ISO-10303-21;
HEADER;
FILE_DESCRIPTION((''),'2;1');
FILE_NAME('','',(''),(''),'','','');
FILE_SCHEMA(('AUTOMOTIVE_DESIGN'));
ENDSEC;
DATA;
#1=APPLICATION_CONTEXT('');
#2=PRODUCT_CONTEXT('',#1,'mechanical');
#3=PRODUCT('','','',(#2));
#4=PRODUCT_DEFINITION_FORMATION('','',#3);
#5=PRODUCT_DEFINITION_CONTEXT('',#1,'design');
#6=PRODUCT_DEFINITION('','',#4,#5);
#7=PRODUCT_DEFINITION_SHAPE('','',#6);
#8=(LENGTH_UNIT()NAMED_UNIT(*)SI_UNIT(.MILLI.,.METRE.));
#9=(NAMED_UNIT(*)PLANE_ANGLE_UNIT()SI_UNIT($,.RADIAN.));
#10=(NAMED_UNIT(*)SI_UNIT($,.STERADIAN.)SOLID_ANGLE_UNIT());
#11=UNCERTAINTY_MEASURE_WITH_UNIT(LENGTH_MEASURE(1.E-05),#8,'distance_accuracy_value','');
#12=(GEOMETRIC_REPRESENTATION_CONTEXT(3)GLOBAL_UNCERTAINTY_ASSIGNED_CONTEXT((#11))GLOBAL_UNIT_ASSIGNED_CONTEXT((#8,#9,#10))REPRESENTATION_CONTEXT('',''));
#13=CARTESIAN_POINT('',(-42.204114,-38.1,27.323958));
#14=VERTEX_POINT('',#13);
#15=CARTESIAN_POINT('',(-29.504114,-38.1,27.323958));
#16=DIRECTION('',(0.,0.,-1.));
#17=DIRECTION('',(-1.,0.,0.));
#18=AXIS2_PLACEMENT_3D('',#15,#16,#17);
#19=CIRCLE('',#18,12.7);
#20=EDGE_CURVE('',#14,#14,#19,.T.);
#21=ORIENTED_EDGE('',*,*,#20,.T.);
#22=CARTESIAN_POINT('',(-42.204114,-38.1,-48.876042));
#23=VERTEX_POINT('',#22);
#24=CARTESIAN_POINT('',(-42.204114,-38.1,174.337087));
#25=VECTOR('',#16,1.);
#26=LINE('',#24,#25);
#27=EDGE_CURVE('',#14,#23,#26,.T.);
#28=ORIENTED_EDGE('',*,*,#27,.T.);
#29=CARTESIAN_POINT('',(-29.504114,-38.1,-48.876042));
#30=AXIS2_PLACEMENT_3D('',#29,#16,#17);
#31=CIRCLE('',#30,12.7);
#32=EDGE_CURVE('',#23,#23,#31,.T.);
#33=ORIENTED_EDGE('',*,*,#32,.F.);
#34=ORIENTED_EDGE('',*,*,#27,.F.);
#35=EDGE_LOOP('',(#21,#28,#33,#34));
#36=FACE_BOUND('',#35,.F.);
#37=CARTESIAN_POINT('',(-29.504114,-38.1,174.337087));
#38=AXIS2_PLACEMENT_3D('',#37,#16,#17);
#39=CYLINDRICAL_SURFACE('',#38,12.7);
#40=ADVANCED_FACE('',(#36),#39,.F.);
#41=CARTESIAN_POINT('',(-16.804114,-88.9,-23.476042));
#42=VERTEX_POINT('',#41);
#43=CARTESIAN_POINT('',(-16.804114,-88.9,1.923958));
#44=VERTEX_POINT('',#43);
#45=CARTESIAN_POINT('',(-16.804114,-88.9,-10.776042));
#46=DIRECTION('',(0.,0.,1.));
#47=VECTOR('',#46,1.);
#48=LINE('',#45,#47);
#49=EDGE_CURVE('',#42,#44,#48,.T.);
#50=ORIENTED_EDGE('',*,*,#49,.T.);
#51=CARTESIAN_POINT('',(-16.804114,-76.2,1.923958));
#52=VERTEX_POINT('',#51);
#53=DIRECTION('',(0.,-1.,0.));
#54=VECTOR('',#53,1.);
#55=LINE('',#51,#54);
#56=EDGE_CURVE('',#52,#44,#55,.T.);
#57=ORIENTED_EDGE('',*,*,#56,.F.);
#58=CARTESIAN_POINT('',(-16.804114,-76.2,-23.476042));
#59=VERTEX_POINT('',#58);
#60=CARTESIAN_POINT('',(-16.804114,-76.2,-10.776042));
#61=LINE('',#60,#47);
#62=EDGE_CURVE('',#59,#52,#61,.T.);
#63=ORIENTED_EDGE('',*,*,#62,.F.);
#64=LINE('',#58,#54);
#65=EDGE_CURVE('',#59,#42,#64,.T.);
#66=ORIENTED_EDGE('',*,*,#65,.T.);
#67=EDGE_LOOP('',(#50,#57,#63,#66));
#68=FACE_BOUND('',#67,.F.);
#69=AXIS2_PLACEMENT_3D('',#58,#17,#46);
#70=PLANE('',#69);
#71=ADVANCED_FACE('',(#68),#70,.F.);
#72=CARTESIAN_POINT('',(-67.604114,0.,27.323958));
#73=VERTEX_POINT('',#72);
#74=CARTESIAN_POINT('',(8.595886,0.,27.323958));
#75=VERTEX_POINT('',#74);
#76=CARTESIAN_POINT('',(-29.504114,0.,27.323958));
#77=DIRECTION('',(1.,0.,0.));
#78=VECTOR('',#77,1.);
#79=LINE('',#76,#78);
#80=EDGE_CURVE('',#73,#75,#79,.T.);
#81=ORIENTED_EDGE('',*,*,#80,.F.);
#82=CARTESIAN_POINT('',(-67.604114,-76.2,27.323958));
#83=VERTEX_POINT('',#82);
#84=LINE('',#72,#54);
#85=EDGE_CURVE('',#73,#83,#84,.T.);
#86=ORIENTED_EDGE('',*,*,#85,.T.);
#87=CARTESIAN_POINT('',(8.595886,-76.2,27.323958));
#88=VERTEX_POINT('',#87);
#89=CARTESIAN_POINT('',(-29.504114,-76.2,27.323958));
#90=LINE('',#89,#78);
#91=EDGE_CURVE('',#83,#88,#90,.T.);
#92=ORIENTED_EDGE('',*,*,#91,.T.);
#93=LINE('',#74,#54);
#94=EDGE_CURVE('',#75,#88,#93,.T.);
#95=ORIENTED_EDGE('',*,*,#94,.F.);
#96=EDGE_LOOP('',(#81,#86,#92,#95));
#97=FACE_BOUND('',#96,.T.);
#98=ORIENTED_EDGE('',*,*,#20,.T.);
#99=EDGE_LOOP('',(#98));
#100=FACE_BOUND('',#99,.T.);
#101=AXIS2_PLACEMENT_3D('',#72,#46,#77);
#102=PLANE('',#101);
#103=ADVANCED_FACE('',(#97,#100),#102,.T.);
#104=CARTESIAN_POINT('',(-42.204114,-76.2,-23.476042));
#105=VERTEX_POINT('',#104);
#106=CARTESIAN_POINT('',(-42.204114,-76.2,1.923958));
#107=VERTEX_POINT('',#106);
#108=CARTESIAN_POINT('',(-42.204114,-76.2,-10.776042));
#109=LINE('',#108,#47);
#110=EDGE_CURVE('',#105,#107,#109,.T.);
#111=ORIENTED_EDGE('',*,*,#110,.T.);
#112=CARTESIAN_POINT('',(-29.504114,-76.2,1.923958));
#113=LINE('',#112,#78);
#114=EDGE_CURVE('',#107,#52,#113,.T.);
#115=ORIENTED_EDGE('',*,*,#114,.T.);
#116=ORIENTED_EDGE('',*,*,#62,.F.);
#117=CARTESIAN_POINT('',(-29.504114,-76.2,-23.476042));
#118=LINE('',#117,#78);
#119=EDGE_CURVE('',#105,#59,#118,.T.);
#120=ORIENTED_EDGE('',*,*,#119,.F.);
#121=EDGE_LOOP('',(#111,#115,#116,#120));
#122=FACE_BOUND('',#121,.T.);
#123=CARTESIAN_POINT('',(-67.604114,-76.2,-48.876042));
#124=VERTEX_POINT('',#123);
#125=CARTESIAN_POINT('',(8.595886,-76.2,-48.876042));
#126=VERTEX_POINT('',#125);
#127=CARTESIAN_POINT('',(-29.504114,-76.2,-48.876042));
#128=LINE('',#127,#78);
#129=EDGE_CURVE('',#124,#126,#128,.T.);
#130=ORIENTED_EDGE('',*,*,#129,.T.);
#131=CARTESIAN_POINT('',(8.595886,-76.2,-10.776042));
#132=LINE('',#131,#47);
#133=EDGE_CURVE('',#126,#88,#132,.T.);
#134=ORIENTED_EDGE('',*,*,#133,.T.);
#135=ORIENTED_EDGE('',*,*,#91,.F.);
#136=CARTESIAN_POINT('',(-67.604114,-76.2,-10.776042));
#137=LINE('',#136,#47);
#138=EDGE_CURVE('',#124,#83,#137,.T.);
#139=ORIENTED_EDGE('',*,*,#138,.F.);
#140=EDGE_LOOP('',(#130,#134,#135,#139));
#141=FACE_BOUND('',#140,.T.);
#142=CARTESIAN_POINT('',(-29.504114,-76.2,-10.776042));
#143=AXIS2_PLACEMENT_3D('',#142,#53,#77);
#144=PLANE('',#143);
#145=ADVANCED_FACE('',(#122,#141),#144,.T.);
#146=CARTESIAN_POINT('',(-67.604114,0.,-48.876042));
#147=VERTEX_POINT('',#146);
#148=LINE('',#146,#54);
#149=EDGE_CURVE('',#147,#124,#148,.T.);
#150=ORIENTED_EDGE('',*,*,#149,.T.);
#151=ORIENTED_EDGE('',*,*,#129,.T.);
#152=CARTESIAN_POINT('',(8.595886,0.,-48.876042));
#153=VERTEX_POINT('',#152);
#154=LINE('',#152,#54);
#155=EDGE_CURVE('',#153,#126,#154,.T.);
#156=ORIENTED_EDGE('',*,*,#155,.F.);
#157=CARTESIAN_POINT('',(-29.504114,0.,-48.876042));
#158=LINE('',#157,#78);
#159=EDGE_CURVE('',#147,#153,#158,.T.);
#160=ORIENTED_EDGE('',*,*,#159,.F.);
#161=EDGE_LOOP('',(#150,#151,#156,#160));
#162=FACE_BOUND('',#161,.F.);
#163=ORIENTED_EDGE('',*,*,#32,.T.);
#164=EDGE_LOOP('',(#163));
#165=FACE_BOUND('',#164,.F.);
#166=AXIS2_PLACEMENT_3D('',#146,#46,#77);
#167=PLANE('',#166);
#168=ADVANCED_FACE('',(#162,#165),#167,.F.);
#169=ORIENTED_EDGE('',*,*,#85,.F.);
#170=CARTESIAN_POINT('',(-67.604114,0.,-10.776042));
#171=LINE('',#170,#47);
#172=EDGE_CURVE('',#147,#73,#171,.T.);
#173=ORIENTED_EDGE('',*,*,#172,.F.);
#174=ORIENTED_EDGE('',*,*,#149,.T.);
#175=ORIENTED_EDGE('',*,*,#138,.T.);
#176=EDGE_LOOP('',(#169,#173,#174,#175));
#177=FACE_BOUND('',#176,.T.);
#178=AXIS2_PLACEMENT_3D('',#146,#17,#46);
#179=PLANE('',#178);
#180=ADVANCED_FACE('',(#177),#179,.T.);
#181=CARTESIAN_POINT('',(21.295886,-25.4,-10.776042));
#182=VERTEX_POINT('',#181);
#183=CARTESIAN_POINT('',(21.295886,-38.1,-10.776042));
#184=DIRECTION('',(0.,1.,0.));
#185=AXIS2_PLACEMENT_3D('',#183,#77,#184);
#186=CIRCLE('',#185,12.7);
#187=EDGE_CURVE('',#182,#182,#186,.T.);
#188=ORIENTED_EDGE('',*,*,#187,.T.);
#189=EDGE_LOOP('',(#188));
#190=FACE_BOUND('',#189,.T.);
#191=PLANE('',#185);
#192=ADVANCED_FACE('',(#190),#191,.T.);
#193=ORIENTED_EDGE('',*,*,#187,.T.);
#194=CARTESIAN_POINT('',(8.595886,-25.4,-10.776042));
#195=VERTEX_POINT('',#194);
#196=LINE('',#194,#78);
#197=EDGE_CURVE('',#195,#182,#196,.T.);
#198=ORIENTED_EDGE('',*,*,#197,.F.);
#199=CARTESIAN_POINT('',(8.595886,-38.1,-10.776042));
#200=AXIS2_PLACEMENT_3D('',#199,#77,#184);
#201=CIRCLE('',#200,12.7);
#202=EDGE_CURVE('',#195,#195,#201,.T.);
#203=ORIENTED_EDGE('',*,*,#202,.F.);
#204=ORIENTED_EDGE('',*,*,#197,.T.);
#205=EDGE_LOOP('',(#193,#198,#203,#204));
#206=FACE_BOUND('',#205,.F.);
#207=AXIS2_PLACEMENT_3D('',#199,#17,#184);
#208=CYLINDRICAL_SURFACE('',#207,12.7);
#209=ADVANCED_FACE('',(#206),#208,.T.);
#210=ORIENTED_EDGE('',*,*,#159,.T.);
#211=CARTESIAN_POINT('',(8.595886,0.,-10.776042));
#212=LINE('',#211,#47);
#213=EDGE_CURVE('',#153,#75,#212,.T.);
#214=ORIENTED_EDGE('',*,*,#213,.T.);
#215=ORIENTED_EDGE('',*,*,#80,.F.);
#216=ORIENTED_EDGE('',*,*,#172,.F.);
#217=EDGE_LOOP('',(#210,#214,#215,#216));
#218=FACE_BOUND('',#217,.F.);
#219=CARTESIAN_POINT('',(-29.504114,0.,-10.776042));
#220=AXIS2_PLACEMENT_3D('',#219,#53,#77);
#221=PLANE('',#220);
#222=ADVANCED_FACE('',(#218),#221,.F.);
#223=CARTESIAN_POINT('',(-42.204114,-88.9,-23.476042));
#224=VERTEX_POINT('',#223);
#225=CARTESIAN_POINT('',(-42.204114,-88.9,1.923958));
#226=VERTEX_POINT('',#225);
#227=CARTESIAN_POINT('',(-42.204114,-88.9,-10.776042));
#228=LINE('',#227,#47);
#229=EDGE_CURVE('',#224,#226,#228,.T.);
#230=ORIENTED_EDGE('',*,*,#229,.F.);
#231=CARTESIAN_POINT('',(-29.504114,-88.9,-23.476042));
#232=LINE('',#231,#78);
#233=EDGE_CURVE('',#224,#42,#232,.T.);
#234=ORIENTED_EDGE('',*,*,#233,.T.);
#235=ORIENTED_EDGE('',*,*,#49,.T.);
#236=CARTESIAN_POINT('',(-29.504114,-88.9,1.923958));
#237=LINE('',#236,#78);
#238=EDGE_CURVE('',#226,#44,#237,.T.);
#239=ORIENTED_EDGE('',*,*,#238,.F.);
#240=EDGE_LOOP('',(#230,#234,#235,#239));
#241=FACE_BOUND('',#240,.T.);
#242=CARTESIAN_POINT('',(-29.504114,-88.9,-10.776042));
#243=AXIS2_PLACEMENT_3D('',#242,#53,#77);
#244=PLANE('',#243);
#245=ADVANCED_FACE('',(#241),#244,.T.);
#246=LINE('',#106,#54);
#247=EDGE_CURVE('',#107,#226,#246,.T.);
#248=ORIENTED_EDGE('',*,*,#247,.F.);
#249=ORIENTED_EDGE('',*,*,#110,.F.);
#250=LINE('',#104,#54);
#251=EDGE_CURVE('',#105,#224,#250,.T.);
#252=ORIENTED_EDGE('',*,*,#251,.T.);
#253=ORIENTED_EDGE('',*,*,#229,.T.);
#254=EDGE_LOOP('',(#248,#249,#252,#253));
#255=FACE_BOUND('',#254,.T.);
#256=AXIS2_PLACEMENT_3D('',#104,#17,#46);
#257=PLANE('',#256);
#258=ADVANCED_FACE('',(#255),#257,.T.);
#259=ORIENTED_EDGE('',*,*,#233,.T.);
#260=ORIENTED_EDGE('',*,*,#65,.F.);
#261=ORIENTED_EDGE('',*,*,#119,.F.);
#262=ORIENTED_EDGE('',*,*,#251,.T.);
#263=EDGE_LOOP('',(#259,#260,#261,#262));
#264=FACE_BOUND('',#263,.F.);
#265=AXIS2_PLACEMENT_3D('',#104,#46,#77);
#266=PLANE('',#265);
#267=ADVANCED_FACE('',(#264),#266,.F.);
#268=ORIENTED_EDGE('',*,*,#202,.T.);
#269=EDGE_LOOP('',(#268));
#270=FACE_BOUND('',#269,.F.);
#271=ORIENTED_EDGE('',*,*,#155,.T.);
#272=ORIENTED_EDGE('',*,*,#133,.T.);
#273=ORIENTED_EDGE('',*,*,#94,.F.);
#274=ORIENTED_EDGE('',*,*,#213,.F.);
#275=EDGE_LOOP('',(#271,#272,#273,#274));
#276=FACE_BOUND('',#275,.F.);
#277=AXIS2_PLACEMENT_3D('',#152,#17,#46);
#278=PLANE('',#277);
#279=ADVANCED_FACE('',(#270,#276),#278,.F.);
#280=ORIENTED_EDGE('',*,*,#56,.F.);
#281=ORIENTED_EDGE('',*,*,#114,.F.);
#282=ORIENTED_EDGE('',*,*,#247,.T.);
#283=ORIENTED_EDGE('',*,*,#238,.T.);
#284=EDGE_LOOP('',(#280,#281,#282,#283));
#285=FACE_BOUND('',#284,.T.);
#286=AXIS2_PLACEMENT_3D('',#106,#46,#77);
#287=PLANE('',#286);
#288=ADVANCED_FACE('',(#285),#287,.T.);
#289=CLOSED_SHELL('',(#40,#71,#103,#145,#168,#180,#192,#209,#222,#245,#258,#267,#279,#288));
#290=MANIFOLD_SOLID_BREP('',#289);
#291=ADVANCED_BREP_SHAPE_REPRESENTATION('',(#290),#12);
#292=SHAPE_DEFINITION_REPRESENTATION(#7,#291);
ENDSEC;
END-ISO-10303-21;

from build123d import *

# Parameters (mm, degrees)
F0_W     = 76.2
F0_H     = 76.2
F1_DEPTH = 76.2
F2_R     = 12.7
F3_DEPTH = 12.7
F5_W     = 25.4
F5_H     = 25.4
F6_DEPTH = 12.7
F7_D     = 25.4


with BuildPart() as f1:
    # F0 (on Front) → F1 (new body)
    with BuildSketch(Plane.XZ):
        with Locations((-29.504114, -10.776042)):
            Rectangle(F0_W, F0_H)
    extrude(amount=F1_DEPTH)

    # F2 (on face) → F3 (join)
    with BuildSketch(Plane.YZ.offset(8.595886)):
        with Locations((-38.1, -10.776042)):
            Circle(F2_R)
    extrude(amount=F3_DEPTH)

    # F5 (on face) → F6 (join)
    with BuildSketch(Plane.XZ.offset(76.2)):
        with Locations((-29.504114, -10.776042)):
            Rectangle(F5_W, F5_H)
    extrude(amount=F6_DEPTH)

    # F7 (through all)
    with Locations(Plane.XY.offset(27.323958)):
        with Locations((-29.504114, -38.1)):
            Hole(F7_D / 2)


solid = f1.part
